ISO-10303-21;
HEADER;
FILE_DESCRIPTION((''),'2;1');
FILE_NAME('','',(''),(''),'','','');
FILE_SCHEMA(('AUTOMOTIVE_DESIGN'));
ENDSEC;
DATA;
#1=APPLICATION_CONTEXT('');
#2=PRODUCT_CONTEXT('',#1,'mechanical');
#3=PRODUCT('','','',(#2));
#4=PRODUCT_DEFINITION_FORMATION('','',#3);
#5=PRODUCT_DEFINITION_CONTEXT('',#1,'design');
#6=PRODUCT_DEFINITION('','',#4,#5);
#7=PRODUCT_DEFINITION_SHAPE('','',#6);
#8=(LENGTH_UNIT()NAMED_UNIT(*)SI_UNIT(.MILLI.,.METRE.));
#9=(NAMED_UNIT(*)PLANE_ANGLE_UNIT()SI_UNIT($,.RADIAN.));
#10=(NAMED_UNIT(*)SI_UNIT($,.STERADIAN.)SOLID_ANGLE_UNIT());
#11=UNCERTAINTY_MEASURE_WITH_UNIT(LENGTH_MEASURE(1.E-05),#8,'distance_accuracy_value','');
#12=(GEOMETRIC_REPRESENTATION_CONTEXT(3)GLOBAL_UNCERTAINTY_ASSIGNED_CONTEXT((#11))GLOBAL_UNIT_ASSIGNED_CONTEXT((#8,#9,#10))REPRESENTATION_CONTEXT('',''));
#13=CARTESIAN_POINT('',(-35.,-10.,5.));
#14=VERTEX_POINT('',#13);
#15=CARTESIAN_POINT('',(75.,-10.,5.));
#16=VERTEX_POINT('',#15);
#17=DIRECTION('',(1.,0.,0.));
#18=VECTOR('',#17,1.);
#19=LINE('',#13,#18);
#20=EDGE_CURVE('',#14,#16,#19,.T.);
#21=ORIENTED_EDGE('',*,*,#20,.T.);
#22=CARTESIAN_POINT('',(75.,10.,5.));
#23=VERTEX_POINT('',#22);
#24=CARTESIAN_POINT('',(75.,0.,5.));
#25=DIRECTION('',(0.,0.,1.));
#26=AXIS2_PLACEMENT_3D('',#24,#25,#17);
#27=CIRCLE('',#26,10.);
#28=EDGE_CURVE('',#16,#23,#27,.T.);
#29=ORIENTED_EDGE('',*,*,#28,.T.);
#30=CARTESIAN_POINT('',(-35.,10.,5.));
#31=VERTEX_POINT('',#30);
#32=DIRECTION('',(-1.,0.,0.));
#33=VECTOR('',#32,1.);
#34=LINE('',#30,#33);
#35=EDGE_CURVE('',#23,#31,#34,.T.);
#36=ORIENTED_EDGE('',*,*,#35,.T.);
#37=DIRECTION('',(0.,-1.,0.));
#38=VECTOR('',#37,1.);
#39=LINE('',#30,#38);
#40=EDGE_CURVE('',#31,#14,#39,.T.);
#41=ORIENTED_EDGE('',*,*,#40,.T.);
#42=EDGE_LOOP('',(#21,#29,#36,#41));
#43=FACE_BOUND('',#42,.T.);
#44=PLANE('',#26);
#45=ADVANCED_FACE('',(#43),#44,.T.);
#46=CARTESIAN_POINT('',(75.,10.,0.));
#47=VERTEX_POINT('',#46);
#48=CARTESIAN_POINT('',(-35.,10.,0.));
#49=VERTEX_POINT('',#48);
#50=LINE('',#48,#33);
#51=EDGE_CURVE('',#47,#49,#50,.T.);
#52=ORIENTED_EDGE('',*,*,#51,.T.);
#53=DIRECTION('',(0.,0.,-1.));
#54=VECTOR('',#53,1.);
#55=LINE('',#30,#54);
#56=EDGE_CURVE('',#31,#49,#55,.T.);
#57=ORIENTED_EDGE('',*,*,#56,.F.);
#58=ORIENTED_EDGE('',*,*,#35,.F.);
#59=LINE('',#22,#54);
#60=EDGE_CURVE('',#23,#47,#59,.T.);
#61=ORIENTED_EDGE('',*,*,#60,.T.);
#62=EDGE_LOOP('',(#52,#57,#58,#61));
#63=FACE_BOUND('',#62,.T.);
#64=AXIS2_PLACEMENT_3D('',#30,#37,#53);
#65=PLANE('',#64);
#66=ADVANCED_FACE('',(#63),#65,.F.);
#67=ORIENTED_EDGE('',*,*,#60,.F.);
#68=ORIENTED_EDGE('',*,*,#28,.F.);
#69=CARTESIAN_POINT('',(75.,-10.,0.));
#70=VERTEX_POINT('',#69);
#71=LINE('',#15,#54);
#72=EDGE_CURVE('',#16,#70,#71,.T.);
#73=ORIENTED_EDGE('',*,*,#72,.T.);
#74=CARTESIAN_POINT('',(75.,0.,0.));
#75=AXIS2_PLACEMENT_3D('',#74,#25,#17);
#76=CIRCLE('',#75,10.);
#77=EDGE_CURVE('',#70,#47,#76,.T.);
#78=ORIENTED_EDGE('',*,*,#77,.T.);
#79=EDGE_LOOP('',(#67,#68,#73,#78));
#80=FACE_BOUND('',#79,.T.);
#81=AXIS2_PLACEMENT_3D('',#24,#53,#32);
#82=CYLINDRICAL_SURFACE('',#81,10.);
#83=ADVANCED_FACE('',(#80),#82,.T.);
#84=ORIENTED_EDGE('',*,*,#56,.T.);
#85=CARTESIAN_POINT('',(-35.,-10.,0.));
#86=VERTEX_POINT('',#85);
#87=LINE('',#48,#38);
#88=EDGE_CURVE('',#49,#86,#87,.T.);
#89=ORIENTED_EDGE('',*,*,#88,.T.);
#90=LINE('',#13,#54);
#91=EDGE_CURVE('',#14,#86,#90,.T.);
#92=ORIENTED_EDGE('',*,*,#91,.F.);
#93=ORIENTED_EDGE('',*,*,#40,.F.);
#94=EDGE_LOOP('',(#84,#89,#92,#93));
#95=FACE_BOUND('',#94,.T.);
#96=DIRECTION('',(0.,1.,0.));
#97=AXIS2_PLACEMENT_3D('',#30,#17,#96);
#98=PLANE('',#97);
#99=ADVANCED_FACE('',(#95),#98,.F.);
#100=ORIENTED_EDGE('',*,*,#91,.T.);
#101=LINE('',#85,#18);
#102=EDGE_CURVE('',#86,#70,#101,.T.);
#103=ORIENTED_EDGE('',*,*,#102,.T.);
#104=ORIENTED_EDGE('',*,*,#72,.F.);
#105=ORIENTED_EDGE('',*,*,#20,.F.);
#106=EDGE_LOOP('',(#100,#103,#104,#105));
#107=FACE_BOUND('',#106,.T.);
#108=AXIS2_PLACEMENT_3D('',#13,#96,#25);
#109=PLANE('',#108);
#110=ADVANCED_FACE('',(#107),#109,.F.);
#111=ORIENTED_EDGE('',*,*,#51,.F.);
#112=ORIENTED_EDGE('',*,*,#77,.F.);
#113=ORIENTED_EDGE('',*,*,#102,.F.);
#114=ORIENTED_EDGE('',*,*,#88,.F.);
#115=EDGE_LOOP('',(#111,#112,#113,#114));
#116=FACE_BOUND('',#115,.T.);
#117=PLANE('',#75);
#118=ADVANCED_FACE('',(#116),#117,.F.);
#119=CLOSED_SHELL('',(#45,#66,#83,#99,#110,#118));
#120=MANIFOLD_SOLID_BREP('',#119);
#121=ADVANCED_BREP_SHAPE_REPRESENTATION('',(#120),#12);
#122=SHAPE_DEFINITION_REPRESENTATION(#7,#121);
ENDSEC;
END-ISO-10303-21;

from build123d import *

# Parameters (mm, degrees)
BOSS_EXTRUDE1_DEPTH = 5


with BuildPart() as part:
    # Sketch1 → Boss-Extrude1 (new body)
    with BuildSketch(Plane.XY):
        with BuildLine():
            Line((-35, 10), (75, 10))
            ThreePointArc((75, 10), (85, 0), (75, -10))
            Line((75, -10), (-35, -10))
            Line((-35, -10), (-35, 10))
        make_face()
    extrude(amount=BOSS_EXTRUDE1_DEPTH)


solid = part.part
